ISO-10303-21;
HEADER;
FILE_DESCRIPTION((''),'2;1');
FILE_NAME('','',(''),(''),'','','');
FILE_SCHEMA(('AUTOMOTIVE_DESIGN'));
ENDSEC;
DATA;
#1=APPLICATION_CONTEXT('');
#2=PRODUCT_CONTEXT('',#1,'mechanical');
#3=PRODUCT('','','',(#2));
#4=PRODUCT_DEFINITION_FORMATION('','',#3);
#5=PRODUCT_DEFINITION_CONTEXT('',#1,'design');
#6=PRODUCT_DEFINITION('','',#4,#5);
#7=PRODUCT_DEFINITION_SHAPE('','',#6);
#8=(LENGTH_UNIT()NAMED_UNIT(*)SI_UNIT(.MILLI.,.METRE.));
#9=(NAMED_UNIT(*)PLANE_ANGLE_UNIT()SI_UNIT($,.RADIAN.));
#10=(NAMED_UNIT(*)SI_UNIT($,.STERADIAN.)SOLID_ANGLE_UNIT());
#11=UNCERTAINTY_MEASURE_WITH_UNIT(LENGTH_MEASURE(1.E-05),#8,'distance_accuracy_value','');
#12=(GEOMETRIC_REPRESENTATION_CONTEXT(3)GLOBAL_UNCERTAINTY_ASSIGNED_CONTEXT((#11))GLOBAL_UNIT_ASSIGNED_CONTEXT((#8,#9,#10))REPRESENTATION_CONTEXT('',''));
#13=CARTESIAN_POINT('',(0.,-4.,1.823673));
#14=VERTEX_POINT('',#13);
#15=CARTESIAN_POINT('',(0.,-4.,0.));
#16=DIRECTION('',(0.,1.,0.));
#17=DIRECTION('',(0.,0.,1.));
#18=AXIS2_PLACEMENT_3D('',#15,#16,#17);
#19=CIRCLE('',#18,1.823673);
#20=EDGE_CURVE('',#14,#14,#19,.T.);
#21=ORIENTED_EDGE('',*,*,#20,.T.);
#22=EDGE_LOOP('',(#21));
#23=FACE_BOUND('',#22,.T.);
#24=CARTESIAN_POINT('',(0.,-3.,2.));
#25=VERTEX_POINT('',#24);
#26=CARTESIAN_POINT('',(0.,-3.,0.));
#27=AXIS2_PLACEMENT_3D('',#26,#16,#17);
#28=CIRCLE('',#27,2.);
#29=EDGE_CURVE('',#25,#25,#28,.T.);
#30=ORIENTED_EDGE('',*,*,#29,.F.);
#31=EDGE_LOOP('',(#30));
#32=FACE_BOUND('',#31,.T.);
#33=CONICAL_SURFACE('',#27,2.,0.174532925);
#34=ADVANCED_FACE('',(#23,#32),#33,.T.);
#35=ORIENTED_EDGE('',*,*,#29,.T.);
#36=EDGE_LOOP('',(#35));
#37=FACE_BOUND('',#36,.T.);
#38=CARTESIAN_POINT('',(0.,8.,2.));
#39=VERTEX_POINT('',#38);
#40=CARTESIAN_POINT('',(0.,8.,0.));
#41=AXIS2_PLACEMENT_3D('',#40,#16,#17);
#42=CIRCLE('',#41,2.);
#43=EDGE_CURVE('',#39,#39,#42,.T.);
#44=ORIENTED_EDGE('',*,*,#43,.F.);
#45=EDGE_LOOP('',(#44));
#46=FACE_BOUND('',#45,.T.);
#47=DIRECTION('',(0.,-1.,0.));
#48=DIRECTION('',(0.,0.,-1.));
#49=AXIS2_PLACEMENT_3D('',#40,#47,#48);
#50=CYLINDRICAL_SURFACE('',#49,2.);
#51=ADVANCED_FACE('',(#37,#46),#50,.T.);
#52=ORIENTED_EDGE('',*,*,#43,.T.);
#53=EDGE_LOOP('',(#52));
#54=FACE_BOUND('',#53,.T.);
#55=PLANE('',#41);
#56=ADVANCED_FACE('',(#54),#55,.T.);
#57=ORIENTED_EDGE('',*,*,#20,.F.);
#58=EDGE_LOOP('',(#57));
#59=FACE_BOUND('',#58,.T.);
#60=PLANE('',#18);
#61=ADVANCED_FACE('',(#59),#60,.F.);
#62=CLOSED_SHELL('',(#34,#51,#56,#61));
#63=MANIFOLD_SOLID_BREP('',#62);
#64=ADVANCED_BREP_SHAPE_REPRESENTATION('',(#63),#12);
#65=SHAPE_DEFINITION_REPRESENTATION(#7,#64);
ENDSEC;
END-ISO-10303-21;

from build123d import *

# Parameters (mm, degrees)
SKETCH_1_R      = 2
EXTRUDE_1_DEPTH = 8
EXTRUDE_START   = -12
SKETCH_3_R      = 2
EXTRUDE_2_DEPTH = 12


with BuildPart() as part:
    # ｽｹｯﾁ1 → ﾎﾞｽ - 押し出し1 (new body)
    with BuildSketch(Plane(origin=(0, 0, 0), x_dir=(1, 0, 0), z_dir=(0, 1, 0))):
        with Locations(Location((0, 0, 0), (0, 0, 270))):
            Circle(SKETCH_1_R)
    extrude(amount=EXTRUDE_1_DEPTH)

    # ｽｹｯﾁ3 → ﾎﾞｽ - 押し出し2 (add)
    with BuildSketch(Plane(origin=(0, 8, 0), x_dir=(1, 0, 0), z_dir=(0, 1, 0)).offset(EXTRUDE_START)):
        with Locations(Location((0, 0, 0), (0, 0, 270))):
            Circle(SKETCH_3_R)
    extrude(amount=EXTRUDE_2_DEPTH)

    # ｽｹｯﾁ4 → ｶｯﾄ - 回転1 (revolve, cut)
    with BuildSketch(Plane(origin=(0, 0, 0), x_dir=(0, 0, -1), z_dir=(1, 0, 0)), mode=Mode.PRIVATE) as cut_revolve_1_sk:
        Polygon((1.823673019, -4), (2, -3), (2, -4), align=None)
    revolve(cut_revolve_1_sk.sketch.rotate(Axis((0, 0, 0), (0, -1, 0)), 180), axis=Axis((0, 0, 0), (0, -1, 0)), mode=Mode.SUBTRACT)


solid = part.part
